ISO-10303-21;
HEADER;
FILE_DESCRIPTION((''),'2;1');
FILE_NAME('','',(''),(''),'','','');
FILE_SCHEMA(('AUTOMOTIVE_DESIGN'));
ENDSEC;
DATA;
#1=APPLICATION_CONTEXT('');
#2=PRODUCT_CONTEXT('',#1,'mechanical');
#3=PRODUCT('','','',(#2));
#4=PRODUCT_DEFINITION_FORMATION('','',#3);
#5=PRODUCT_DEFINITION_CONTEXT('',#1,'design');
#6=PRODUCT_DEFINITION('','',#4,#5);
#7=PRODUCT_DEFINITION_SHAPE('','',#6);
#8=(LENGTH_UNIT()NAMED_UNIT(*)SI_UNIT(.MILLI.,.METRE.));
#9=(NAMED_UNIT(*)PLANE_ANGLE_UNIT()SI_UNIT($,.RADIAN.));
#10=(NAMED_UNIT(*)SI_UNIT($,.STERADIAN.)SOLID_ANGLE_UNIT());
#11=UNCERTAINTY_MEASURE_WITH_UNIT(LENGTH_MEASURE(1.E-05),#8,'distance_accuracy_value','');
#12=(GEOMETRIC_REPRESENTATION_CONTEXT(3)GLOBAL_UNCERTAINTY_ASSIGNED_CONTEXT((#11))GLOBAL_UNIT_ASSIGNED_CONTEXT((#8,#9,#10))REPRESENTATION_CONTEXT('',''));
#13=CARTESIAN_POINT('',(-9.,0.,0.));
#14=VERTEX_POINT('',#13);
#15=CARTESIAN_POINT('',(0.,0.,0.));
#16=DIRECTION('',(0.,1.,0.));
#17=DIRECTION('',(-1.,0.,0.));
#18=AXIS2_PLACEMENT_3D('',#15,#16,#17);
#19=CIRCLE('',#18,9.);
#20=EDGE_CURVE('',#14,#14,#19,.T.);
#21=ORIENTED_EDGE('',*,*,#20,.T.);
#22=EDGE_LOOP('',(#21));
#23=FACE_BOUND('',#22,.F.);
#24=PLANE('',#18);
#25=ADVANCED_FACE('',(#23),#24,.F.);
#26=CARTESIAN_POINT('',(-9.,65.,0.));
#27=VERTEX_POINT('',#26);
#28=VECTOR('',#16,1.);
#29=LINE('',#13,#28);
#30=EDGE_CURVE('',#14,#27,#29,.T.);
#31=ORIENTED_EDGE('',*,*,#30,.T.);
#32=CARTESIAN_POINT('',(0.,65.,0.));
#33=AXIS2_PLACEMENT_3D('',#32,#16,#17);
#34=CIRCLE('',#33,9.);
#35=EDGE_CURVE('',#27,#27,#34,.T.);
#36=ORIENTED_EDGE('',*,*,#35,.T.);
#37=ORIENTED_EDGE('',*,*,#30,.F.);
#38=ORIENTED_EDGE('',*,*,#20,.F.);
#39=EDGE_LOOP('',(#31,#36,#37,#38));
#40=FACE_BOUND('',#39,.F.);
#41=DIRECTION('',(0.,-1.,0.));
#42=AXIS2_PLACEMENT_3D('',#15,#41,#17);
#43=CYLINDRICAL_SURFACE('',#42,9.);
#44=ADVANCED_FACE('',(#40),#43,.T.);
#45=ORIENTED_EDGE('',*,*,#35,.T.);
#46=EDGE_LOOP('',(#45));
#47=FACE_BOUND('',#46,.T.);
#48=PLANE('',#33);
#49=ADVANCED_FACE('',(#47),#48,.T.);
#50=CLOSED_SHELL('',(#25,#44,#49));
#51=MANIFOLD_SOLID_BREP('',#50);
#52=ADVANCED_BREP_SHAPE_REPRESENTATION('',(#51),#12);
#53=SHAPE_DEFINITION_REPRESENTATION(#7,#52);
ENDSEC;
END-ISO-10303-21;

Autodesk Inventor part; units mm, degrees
ref_plane "YZ Plane" through (0, 0, 0) normal (1, 0, 0) x (0, 1, 0)
ref_plane "XZ Plane" through (0, 0, 0) normal (0, 1, 0) x (-1, 0, 0)
ref_plane "XY Plane" through (0, 0, 0) normal (0, 0, 1) x (1, 0, 0)
sketch "Sketch1" plane through (0, 0, 0) normal (0, 1, 0) x (-1, 0, 0)
  circle A0 centre (0, 0) radius 9
  dimension "d0" = 18
extrude "Extrusion1" add sketch "Sketch1" along normal blind 65
properties part number "Battery_Cell_18650" material "ABS Plastic"
